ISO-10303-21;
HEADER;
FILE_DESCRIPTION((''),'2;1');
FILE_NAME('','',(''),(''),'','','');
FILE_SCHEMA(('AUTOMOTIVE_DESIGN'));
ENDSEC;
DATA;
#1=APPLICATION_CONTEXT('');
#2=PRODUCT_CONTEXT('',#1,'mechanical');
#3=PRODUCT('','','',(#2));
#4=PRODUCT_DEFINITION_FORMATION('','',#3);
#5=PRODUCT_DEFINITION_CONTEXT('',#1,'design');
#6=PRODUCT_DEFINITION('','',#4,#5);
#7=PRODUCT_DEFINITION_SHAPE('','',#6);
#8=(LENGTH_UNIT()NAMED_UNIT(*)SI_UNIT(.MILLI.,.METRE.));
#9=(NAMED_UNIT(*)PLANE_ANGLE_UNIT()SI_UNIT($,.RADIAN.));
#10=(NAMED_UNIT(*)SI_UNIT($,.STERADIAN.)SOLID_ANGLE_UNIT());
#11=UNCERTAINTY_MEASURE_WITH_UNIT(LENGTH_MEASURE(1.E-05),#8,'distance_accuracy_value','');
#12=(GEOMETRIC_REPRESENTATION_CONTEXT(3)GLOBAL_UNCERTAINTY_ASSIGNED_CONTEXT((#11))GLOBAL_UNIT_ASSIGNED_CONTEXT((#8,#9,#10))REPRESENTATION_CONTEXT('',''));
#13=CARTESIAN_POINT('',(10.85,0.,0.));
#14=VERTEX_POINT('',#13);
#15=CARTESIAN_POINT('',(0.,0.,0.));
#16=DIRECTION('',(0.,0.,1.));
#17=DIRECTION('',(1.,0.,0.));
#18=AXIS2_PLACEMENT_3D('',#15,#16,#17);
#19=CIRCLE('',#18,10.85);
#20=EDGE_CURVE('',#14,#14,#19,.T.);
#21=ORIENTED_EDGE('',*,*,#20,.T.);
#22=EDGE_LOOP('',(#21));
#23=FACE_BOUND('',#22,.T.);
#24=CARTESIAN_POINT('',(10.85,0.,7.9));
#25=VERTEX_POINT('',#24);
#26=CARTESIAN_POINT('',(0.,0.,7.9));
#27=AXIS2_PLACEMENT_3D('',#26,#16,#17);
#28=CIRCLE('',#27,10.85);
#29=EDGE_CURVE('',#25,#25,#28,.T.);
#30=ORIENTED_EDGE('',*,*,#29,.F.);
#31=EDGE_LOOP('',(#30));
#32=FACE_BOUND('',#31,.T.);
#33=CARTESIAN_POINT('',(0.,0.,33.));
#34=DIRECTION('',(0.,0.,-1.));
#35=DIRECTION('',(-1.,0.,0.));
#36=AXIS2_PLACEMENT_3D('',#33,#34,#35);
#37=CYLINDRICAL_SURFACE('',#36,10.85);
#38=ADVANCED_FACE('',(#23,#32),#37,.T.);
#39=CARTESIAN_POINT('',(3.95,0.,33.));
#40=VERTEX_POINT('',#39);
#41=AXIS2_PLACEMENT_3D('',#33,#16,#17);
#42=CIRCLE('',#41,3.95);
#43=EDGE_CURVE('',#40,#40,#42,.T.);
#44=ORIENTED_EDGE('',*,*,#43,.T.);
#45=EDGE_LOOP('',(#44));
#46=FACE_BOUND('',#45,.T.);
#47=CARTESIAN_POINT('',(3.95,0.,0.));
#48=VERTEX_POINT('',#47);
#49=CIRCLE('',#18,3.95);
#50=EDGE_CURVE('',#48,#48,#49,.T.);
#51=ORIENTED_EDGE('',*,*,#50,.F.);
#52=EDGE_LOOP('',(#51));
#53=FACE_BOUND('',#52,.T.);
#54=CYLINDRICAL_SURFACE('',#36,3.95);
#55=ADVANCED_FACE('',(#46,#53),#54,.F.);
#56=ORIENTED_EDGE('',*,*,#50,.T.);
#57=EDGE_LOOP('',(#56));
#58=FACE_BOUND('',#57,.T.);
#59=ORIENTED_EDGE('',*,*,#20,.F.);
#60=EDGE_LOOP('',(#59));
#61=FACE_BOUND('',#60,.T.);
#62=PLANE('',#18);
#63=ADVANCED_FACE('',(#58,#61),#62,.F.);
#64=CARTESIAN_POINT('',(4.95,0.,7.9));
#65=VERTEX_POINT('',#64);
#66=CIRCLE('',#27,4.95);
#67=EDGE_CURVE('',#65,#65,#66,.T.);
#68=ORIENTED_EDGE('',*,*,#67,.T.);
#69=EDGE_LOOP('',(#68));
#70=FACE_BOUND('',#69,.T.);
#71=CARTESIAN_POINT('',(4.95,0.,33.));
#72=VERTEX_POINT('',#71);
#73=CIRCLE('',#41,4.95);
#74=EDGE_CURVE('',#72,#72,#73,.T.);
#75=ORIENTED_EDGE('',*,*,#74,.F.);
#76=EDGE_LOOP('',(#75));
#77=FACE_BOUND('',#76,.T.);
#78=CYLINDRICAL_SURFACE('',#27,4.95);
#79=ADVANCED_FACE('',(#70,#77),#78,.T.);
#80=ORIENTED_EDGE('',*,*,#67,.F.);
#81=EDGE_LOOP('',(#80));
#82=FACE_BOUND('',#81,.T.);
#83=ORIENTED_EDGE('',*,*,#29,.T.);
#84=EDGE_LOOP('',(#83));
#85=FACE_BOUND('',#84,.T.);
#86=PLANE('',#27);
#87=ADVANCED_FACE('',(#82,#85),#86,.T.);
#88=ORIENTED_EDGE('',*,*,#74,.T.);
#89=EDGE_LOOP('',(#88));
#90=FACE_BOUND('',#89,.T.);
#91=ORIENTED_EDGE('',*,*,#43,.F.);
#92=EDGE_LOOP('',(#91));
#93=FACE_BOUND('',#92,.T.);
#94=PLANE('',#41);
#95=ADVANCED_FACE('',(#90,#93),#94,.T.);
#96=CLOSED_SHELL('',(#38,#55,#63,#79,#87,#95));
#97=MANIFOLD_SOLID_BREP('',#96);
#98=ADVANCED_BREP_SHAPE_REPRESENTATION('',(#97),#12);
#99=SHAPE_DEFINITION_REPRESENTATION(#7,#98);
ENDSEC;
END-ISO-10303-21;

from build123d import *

# Parameters (mm, degrees)
SKETCH1_R           = 10.85
SKETCH1_R_2         = 3.95
BOSS_EXTRUDE1_DEPTH = 33
CUT_EXTRUDE1_START  = -25.1
SKETCH2_R           = 10.85
SKETCH2_R_2         = 4.95
CUT_EXTRUDE1_DEPTH  = 25.1


with BuildPart() as part:
    # Sketch1 → Boss-Extrude1 (new body)
    with BuildSketch(Plane.XY):
        Circle(SKETCH1_R)
        Circle(SKETCH1_R_2, mode=Mode.SUBTRACT)
    extrude(amount=BOSS_EXTRUDE1_DEPTH)

    # Sketch2 → Cut-Extrude1 (cut)
    with BuildSketch(Plane.XY.offset(33).offset(CUT_EXTRUDE1_START)):
        Circle(SKETCH2_R)
        Circle(SKETCH2_R_2, mode=Mode.SUBTRACT)
    extrude(amount=CUT_EXTRUDE1_DEPTH, mode=Mode.SUBTRACT)


solid = part.part
